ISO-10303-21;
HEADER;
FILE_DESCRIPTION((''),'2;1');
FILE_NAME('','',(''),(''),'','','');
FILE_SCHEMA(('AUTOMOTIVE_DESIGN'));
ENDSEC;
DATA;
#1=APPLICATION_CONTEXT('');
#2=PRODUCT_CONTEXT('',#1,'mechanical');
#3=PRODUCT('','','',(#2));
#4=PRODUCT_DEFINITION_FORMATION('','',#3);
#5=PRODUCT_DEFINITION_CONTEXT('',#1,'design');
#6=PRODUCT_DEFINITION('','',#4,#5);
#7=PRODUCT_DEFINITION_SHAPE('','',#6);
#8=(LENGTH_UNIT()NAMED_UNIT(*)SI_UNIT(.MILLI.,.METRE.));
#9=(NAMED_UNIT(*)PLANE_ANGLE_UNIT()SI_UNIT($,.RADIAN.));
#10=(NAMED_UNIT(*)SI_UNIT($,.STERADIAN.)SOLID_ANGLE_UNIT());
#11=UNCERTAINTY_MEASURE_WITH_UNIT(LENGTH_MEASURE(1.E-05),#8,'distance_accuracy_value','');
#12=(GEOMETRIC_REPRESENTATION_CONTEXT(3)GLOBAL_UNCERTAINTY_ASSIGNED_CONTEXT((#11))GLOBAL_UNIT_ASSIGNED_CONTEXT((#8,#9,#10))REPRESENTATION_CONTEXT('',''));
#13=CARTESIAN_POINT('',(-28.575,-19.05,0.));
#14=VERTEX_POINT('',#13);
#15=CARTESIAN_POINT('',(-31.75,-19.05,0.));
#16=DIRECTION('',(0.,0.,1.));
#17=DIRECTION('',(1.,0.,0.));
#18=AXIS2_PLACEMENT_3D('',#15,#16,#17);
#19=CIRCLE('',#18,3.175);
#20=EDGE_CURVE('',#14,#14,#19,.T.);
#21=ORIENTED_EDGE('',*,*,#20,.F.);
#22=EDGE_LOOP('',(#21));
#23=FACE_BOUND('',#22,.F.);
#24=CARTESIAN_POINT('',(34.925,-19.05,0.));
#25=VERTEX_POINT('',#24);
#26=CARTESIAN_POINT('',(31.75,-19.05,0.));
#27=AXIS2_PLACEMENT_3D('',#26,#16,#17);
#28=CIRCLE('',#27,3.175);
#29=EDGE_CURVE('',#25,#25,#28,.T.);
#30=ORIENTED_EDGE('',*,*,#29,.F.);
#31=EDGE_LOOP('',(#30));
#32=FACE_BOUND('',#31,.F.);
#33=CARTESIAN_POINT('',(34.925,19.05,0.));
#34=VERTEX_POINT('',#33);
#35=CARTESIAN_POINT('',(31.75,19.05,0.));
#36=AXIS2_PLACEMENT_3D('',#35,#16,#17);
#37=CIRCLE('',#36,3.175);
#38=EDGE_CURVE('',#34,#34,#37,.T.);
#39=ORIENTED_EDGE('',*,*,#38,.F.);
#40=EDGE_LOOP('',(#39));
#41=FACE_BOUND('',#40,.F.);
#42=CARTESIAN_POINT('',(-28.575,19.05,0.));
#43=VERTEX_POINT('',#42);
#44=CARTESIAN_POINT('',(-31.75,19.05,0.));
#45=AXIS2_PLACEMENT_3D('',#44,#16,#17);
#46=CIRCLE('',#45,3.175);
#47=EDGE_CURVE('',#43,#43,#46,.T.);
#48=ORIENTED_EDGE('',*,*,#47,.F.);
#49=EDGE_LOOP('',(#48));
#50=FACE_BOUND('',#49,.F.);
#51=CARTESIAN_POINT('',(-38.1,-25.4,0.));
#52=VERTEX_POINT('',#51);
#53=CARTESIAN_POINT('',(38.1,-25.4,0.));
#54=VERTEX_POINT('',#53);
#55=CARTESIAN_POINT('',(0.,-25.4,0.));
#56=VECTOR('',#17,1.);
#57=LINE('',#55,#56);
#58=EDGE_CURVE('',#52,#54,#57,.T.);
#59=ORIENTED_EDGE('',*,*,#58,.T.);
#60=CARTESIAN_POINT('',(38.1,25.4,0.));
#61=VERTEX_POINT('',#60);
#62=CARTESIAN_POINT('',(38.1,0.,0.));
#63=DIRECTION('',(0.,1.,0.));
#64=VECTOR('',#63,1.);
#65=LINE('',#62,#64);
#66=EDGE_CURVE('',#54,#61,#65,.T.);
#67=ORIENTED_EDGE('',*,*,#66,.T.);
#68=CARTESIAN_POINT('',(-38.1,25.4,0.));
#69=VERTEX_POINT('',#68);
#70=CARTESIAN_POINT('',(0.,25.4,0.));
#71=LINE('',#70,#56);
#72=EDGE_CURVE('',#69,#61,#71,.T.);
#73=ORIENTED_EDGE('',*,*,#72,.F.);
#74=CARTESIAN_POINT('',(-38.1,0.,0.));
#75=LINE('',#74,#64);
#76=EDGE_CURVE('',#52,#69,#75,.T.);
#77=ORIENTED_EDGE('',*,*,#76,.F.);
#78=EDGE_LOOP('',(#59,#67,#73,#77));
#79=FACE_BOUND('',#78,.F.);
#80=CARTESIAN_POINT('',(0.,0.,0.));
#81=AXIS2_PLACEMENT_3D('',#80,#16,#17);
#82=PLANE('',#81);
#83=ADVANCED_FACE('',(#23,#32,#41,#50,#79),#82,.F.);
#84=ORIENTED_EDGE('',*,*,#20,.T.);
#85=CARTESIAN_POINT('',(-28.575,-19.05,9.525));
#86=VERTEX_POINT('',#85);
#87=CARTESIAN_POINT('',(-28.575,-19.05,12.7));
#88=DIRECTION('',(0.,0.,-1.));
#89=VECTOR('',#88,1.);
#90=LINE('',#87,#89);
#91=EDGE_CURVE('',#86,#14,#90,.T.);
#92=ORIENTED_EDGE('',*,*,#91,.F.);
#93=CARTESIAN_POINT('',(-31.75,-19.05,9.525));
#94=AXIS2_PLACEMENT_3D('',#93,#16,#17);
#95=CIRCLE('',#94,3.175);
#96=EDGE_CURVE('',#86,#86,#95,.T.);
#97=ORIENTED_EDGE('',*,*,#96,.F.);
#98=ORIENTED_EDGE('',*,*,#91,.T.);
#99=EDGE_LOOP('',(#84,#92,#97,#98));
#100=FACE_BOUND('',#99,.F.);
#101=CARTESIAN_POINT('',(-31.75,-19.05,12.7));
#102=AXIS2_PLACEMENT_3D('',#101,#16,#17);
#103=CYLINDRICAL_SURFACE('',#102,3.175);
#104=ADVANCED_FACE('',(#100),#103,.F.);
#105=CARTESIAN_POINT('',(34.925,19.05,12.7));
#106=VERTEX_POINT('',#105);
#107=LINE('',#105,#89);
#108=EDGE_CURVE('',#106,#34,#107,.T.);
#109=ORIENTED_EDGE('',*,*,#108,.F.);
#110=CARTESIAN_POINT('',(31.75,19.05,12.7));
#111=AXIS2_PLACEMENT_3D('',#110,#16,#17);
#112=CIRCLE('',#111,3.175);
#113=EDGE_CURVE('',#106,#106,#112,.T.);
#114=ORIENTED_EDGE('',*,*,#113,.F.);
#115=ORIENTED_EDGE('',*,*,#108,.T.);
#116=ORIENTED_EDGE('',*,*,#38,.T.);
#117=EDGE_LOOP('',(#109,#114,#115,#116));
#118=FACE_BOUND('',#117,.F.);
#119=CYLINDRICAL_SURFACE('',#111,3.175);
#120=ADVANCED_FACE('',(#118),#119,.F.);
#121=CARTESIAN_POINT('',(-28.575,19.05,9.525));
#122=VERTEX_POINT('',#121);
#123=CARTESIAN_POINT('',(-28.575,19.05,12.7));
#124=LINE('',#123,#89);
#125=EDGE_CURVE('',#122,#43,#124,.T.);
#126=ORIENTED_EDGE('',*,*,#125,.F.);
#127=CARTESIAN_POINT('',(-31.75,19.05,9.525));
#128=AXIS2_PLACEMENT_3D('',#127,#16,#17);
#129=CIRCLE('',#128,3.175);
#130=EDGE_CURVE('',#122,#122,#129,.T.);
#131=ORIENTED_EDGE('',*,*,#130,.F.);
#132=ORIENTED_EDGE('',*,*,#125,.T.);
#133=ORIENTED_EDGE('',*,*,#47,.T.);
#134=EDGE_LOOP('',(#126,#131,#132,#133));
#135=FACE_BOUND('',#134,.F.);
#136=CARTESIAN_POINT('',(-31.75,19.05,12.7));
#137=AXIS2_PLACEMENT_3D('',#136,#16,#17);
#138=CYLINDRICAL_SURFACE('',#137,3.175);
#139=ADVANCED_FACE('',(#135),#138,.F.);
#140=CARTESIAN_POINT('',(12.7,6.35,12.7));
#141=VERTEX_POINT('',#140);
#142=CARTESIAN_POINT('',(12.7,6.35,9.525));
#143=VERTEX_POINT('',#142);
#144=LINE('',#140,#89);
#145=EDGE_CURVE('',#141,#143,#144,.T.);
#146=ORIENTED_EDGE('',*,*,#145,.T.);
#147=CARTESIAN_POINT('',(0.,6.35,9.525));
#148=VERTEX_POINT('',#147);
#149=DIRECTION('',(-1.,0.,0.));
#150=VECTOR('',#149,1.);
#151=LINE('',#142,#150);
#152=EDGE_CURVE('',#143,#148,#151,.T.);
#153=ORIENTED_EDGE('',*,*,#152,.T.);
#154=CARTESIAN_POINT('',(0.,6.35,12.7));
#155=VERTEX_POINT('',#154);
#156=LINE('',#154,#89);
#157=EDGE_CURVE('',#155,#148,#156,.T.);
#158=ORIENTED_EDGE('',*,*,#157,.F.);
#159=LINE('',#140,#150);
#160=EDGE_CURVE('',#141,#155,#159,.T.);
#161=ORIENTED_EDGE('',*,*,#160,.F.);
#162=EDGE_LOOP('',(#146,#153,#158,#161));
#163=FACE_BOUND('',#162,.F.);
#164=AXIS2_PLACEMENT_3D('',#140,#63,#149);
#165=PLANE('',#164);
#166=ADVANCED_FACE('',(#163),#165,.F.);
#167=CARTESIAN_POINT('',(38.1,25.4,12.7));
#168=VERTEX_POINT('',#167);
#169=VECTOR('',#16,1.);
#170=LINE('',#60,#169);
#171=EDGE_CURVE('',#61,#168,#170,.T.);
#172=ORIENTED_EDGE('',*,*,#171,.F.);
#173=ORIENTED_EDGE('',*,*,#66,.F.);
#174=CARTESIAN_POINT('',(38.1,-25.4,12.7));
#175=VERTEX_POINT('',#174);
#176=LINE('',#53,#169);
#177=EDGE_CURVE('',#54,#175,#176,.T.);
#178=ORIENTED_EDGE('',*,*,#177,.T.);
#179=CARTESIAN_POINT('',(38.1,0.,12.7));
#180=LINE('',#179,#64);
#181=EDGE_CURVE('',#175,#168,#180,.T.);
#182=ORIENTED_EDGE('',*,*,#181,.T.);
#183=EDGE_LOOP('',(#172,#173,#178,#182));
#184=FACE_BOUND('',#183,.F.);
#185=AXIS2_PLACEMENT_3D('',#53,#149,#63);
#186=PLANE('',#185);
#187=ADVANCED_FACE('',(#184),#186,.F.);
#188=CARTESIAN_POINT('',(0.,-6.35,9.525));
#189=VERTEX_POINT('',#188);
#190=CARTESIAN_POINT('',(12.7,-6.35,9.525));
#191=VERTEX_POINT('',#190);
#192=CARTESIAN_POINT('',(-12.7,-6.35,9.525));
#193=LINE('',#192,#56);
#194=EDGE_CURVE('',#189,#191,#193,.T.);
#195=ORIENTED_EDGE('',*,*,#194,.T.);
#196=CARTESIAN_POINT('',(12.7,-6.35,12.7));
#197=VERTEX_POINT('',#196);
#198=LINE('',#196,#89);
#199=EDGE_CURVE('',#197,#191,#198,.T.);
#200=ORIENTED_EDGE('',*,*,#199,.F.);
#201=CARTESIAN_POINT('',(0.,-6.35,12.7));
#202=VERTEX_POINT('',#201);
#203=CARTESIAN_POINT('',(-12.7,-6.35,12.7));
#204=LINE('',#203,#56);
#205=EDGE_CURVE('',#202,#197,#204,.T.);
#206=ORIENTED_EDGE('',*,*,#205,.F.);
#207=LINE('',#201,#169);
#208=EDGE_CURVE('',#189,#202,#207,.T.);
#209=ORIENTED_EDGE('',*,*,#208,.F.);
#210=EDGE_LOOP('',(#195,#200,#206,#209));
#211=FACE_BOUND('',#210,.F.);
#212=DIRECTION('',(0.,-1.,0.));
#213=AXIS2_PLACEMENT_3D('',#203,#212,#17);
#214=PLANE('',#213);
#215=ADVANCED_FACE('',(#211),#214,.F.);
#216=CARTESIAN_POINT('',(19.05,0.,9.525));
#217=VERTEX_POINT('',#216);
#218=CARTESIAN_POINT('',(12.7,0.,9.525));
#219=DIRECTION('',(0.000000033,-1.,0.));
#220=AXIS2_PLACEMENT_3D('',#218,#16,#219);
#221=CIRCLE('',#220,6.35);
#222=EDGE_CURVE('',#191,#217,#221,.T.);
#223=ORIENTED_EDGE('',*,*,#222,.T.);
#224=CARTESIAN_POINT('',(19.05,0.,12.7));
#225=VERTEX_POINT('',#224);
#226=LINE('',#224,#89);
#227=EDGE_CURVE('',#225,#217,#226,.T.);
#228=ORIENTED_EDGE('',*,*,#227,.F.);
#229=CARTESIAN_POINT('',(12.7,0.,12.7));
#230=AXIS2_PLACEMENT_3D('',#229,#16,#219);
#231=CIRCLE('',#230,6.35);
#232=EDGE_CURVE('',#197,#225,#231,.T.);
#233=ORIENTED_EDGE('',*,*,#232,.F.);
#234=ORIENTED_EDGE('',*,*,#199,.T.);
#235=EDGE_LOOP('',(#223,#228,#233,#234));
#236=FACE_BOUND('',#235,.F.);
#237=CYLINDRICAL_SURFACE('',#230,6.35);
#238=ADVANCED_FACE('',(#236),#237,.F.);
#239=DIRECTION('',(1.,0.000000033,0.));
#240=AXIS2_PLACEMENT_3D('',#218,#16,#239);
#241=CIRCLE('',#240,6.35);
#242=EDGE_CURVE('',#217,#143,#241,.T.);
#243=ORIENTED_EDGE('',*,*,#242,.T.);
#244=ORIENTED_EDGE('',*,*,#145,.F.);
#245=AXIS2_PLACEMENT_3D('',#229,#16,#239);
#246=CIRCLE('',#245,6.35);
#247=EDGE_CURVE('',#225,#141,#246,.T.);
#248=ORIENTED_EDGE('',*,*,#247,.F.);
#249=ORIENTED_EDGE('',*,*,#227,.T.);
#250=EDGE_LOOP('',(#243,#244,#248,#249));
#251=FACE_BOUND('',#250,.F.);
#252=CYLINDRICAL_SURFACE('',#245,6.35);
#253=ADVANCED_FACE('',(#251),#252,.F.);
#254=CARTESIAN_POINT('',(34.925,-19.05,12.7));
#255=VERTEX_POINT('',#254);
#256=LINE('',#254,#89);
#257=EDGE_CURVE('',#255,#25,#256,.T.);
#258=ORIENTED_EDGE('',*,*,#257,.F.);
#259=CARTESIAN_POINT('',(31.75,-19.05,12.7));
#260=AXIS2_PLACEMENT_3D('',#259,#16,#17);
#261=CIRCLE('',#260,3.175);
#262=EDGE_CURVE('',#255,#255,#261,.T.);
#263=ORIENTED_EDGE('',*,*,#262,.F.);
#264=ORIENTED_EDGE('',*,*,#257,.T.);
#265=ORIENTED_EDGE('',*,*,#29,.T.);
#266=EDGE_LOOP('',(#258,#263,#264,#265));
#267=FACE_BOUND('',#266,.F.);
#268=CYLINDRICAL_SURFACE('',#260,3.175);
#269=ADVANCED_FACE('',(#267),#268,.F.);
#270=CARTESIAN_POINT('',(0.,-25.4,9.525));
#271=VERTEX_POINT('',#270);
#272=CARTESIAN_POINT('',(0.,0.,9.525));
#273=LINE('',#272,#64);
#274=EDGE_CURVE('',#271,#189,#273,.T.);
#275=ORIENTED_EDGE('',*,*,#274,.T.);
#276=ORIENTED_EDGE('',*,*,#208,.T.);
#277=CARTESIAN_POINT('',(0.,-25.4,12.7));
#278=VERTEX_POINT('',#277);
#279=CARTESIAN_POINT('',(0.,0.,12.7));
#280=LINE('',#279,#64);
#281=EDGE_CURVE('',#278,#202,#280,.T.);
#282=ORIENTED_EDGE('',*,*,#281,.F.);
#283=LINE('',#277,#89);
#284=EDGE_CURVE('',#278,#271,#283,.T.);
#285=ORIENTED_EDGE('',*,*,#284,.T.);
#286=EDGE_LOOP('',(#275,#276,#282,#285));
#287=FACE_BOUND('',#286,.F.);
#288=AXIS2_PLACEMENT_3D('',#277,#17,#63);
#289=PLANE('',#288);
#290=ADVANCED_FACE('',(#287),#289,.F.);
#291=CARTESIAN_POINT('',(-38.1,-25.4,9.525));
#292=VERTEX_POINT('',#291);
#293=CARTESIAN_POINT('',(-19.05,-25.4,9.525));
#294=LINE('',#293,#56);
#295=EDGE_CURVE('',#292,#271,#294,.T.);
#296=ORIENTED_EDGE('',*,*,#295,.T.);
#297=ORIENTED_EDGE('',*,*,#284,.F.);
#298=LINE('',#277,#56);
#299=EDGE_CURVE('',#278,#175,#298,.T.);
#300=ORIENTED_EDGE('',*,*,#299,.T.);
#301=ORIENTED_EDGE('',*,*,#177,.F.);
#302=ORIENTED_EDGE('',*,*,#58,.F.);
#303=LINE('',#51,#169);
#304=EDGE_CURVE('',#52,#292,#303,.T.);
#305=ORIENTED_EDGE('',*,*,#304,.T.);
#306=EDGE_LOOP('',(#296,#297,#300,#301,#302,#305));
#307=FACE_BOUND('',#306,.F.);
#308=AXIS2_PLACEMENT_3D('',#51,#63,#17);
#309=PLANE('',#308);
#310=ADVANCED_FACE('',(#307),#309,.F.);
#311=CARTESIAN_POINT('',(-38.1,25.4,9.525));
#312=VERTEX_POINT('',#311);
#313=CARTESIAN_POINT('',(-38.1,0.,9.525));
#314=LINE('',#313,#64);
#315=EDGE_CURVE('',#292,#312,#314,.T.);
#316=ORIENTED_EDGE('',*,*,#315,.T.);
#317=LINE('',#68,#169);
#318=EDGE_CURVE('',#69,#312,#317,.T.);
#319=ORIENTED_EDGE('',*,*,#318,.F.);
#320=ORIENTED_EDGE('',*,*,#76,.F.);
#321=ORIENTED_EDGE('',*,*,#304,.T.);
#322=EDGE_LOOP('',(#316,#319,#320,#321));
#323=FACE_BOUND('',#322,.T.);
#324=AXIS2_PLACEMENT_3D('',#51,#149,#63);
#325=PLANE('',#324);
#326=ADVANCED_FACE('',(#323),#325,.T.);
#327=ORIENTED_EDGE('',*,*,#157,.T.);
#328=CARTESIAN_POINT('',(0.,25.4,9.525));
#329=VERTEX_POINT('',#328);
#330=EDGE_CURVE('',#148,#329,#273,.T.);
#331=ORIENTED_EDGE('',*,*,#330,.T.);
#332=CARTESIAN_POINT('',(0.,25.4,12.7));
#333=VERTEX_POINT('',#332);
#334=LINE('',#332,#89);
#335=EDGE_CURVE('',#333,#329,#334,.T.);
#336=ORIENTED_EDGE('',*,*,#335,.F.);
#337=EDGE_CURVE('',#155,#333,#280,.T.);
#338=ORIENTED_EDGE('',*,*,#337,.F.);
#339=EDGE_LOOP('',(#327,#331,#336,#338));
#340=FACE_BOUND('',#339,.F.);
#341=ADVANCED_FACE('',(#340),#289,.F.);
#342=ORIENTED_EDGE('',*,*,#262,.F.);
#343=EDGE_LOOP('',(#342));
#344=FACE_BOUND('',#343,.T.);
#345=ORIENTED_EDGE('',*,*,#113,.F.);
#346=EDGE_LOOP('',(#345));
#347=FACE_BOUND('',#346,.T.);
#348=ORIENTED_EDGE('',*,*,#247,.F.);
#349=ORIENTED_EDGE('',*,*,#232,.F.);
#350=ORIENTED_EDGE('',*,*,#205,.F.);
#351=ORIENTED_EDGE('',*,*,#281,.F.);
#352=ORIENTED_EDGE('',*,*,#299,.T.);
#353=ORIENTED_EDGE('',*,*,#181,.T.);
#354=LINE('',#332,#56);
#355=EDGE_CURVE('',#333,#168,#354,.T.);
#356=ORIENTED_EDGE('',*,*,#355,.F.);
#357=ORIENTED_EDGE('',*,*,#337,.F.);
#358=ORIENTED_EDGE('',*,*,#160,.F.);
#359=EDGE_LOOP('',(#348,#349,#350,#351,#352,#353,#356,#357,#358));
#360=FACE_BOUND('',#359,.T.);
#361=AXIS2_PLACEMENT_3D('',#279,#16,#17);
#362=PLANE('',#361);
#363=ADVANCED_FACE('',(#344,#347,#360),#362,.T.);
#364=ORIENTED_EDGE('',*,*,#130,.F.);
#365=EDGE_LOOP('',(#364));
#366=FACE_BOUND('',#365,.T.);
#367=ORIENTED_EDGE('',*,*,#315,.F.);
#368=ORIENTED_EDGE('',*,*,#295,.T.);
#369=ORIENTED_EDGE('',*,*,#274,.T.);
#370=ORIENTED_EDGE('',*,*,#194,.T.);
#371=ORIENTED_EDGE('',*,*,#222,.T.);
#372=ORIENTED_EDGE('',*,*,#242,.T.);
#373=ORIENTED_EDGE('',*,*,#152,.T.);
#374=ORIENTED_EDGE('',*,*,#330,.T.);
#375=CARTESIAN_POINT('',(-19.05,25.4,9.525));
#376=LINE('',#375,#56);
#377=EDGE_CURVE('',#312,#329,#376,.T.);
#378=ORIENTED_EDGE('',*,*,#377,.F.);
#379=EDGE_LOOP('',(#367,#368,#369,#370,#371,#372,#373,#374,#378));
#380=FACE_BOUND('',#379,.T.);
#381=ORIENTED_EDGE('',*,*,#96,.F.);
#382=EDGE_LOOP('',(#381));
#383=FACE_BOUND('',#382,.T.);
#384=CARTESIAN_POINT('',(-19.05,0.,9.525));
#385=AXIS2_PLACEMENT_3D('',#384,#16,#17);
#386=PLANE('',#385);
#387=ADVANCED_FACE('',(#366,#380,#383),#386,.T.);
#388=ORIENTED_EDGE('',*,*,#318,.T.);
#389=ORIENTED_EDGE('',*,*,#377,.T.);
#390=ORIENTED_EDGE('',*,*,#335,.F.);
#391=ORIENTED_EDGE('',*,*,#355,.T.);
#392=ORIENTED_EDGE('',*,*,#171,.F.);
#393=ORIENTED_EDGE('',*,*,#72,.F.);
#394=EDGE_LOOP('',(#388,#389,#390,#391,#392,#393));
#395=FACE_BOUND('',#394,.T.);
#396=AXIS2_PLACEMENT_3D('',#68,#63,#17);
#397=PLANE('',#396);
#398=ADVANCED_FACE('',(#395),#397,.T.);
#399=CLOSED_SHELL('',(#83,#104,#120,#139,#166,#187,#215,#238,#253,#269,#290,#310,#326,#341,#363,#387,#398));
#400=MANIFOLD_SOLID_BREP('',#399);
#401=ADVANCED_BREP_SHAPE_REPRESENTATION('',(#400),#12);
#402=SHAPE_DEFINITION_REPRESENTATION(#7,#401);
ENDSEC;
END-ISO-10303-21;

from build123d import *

# Parameters (mm, degrees)
F0_W     = 76.2
F0_H     = 50.8
F1_DEPTH = 12.7
F2_R     = 3.175
F3_DEPTH = 12.701
F5_DEPTH = 3.175
F6_W     = 38.1
F6_H     = 50.8
F7_DEPTH = 3.175


with BuildPart() as f1:
    # F0 (on Top) → F1 (new body)
    with BuildSketch(Plane.XY):
        Rectangle(F0_W, F0_H)
    extrude(amount=F1_DEPTH)

    # F2 (on face) → F3 (cut, through all)
    with BuildSketch(Plane.XY.offset(12.7)):
        with Locations((-31.75, 19.05)):
            Circle(F2_R)
        with Locations((31.75, 19.05)):
            Circle(F2_R)
        with Locations((31.75, -19.05)):
            Circle(F2_R)
        with Locations((-31.75, -19.05)):
            Circle(F2_R)
    extrude(amount=-F3_DEPTH, mode=Mode.SUBTRACT)

    # F4 (on face) → F5 (cut)
    with BuildSketch(Plane.XY.offset(12.7)):
        with BuildLine():
            Line((-12.7, -6.35), (12.7, -6.35))
            ThreePointArc((12.7, -6.35), (17.190128, -4.490128), (19.05, 0))
            ThreePointArc((19.05, 0), (17.190128, 4.490128), (12.7, 6.35))
            Line((12.7, 6.35), (-12.7, 6.35))
            ThreePointArc((-12.7, 6.35), (-17.190128, 4.490128), (-19.05, 0))
            ThreePointArc((-19.05, 0), (-17.190128, -4.490128), (-12.7, -6.35))
        make_face()
    extrude(amount=-F5_DEPTH, mode=Mode.SUBTRACT)

    # F6 (on face) → F7 (cut, through all)
    with BuildSketch(Plane.XY.offset(12.7)):
        with Locations((-19.05, 0)):
            Rectangle(F6_W, F6_H)
    extrude(amount=-F7_DEPTH, mode=Mode.SUBTRACT)


solid = f1.part
